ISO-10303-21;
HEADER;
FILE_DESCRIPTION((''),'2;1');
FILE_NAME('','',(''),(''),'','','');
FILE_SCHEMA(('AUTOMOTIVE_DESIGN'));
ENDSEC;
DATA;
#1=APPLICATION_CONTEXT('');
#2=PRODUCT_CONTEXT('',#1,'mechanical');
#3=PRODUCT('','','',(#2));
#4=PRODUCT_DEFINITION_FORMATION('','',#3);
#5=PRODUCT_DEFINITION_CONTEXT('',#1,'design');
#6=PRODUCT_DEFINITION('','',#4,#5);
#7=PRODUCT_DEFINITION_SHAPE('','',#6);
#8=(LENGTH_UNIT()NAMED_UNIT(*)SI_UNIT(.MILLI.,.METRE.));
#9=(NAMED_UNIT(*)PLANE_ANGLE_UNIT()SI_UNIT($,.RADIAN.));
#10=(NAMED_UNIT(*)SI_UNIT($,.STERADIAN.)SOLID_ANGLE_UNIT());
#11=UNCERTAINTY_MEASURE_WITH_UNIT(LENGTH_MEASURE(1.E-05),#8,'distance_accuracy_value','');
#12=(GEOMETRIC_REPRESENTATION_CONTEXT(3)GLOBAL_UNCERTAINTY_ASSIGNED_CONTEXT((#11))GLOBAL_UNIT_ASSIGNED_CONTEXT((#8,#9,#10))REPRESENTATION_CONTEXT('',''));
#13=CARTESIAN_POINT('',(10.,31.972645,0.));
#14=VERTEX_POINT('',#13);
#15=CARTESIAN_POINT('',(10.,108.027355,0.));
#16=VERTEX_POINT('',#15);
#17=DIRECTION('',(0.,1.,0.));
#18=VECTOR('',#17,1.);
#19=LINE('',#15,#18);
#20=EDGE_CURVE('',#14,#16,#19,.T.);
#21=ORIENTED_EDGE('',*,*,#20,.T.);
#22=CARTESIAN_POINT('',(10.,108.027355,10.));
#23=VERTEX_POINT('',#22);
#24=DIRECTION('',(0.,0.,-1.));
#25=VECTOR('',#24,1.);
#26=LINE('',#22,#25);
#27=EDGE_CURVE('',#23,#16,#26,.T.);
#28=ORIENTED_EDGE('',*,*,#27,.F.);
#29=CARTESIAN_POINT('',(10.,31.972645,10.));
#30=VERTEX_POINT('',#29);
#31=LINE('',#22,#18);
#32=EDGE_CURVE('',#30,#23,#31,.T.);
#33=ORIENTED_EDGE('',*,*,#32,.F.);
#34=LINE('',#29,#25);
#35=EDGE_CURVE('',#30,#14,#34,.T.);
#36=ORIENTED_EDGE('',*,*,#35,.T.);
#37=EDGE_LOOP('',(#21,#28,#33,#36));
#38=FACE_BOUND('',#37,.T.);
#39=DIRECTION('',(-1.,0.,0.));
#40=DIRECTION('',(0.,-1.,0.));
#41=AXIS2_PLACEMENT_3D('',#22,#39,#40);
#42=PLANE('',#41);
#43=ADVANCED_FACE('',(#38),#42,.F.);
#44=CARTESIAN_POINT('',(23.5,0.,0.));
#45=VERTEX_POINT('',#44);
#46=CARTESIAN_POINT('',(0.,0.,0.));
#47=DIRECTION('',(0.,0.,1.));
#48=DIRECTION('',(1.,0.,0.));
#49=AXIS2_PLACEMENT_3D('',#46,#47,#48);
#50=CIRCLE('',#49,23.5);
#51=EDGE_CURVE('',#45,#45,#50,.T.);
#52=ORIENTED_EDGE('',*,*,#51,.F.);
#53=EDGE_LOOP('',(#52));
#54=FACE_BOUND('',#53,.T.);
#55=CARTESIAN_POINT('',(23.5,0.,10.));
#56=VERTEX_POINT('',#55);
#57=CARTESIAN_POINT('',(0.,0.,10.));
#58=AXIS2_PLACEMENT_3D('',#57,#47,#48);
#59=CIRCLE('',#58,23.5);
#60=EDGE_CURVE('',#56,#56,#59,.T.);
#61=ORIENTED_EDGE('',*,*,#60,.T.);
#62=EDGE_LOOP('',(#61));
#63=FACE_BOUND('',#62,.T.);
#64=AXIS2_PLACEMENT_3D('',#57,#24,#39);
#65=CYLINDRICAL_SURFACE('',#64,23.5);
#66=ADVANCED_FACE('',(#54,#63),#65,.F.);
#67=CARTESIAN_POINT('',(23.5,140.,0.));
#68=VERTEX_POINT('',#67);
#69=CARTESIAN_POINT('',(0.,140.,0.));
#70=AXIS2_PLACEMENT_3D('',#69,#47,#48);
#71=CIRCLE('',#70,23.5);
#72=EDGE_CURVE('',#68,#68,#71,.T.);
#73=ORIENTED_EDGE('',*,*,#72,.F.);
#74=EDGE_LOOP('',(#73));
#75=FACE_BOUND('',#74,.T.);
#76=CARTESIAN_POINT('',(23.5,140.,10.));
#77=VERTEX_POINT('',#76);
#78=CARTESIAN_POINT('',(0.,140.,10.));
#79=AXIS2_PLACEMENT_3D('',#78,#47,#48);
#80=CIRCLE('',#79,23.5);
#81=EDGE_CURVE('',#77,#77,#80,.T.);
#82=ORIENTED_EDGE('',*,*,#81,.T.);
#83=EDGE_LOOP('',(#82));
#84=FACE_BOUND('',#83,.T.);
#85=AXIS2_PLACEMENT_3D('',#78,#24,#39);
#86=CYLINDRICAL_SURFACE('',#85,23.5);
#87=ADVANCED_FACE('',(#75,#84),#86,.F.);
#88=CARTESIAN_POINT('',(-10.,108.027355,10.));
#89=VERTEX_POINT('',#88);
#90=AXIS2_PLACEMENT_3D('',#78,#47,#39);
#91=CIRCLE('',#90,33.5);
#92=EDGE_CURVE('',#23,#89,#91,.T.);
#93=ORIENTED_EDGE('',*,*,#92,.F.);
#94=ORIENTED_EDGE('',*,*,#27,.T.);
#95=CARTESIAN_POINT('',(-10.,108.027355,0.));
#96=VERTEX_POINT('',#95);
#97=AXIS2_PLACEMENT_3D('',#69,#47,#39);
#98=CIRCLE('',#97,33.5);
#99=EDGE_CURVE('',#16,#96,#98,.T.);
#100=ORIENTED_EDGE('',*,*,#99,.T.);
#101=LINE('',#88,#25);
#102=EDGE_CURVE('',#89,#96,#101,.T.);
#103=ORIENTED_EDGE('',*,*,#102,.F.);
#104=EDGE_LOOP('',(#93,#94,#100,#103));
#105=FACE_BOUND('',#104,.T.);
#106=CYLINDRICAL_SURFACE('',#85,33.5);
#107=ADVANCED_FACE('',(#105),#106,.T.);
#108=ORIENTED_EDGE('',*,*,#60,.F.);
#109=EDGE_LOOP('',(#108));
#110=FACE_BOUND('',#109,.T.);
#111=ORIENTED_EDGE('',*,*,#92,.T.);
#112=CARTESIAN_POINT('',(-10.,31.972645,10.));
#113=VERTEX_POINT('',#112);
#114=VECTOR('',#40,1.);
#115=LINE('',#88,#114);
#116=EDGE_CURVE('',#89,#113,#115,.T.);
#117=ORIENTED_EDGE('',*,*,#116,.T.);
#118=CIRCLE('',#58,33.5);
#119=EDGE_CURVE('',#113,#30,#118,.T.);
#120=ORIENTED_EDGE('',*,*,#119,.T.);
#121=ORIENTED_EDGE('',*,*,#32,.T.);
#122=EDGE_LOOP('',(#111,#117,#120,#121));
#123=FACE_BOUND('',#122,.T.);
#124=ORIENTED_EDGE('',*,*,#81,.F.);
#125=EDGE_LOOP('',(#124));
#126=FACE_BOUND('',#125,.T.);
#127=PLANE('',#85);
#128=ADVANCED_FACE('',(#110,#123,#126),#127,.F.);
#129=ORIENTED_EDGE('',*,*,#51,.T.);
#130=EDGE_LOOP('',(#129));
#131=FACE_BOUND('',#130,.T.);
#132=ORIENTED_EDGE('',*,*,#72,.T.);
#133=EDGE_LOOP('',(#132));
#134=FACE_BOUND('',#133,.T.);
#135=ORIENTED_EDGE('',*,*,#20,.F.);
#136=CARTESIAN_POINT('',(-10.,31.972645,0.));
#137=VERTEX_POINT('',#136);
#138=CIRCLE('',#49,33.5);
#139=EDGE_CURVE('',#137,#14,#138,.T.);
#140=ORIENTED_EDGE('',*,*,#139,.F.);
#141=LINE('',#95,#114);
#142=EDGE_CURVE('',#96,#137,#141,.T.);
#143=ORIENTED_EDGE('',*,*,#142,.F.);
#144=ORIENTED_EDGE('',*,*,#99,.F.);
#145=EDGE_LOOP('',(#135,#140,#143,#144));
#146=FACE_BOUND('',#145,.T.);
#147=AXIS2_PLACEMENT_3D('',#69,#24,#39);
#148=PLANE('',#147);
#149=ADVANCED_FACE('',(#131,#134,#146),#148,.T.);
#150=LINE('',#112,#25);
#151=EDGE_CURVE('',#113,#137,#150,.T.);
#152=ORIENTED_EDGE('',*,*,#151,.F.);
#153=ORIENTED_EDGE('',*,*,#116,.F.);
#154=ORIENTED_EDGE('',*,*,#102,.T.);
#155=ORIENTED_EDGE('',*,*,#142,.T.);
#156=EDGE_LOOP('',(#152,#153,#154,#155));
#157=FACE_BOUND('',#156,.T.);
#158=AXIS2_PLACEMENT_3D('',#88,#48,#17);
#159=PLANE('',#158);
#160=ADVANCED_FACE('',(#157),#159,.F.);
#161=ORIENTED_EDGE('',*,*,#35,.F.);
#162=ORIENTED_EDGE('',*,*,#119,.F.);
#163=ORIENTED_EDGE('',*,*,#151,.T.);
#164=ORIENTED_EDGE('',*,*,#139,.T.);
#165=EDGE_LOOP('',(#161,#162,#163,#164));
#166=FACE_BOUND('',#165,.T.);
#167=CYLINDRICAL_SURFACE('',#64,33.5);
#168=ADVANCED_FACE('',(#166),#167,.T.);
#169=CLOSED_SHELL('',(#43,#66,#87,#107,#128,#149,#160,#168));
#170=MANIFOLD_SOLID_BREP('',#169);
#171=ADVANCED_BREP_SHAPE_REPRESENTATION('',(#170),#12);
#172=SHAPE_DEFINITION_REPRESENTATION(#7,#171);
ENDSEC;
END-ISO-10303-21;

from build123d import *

# Parameters (mm, degrees)
ESQUISSE1_R        = 23.5
BOSS_EXTRU_1_DEPTH = 10


with BuildPart() as part:
    # Esquisse1 → Boss.-Extru.1 (new body)
    with BuildSketch(Plane.XY):
        with BuildLine():
            Line((-10, 108.027355443), (-10, 31.972644557))
            ThreePointArc((-10, 31.972644557), (0, -33.5), (10, 31.972644557))
            Line((10, 31.972644557), (10, 108.027355443))
            ThreePointArc((10, 108.027355443), (0, 173.5), (-10, 108.027355443))
        make_face()
        Circle(ESQUISSE1_R, mode=Mode.SUBTRACT)
        with Locations((0, 140)):
            Circle(ESQUISSE1_R, mode=Mode.SUBTRACT)
    extrude(amount=BOSS_EXTRU_1_DEPTH)


solid = part.part
